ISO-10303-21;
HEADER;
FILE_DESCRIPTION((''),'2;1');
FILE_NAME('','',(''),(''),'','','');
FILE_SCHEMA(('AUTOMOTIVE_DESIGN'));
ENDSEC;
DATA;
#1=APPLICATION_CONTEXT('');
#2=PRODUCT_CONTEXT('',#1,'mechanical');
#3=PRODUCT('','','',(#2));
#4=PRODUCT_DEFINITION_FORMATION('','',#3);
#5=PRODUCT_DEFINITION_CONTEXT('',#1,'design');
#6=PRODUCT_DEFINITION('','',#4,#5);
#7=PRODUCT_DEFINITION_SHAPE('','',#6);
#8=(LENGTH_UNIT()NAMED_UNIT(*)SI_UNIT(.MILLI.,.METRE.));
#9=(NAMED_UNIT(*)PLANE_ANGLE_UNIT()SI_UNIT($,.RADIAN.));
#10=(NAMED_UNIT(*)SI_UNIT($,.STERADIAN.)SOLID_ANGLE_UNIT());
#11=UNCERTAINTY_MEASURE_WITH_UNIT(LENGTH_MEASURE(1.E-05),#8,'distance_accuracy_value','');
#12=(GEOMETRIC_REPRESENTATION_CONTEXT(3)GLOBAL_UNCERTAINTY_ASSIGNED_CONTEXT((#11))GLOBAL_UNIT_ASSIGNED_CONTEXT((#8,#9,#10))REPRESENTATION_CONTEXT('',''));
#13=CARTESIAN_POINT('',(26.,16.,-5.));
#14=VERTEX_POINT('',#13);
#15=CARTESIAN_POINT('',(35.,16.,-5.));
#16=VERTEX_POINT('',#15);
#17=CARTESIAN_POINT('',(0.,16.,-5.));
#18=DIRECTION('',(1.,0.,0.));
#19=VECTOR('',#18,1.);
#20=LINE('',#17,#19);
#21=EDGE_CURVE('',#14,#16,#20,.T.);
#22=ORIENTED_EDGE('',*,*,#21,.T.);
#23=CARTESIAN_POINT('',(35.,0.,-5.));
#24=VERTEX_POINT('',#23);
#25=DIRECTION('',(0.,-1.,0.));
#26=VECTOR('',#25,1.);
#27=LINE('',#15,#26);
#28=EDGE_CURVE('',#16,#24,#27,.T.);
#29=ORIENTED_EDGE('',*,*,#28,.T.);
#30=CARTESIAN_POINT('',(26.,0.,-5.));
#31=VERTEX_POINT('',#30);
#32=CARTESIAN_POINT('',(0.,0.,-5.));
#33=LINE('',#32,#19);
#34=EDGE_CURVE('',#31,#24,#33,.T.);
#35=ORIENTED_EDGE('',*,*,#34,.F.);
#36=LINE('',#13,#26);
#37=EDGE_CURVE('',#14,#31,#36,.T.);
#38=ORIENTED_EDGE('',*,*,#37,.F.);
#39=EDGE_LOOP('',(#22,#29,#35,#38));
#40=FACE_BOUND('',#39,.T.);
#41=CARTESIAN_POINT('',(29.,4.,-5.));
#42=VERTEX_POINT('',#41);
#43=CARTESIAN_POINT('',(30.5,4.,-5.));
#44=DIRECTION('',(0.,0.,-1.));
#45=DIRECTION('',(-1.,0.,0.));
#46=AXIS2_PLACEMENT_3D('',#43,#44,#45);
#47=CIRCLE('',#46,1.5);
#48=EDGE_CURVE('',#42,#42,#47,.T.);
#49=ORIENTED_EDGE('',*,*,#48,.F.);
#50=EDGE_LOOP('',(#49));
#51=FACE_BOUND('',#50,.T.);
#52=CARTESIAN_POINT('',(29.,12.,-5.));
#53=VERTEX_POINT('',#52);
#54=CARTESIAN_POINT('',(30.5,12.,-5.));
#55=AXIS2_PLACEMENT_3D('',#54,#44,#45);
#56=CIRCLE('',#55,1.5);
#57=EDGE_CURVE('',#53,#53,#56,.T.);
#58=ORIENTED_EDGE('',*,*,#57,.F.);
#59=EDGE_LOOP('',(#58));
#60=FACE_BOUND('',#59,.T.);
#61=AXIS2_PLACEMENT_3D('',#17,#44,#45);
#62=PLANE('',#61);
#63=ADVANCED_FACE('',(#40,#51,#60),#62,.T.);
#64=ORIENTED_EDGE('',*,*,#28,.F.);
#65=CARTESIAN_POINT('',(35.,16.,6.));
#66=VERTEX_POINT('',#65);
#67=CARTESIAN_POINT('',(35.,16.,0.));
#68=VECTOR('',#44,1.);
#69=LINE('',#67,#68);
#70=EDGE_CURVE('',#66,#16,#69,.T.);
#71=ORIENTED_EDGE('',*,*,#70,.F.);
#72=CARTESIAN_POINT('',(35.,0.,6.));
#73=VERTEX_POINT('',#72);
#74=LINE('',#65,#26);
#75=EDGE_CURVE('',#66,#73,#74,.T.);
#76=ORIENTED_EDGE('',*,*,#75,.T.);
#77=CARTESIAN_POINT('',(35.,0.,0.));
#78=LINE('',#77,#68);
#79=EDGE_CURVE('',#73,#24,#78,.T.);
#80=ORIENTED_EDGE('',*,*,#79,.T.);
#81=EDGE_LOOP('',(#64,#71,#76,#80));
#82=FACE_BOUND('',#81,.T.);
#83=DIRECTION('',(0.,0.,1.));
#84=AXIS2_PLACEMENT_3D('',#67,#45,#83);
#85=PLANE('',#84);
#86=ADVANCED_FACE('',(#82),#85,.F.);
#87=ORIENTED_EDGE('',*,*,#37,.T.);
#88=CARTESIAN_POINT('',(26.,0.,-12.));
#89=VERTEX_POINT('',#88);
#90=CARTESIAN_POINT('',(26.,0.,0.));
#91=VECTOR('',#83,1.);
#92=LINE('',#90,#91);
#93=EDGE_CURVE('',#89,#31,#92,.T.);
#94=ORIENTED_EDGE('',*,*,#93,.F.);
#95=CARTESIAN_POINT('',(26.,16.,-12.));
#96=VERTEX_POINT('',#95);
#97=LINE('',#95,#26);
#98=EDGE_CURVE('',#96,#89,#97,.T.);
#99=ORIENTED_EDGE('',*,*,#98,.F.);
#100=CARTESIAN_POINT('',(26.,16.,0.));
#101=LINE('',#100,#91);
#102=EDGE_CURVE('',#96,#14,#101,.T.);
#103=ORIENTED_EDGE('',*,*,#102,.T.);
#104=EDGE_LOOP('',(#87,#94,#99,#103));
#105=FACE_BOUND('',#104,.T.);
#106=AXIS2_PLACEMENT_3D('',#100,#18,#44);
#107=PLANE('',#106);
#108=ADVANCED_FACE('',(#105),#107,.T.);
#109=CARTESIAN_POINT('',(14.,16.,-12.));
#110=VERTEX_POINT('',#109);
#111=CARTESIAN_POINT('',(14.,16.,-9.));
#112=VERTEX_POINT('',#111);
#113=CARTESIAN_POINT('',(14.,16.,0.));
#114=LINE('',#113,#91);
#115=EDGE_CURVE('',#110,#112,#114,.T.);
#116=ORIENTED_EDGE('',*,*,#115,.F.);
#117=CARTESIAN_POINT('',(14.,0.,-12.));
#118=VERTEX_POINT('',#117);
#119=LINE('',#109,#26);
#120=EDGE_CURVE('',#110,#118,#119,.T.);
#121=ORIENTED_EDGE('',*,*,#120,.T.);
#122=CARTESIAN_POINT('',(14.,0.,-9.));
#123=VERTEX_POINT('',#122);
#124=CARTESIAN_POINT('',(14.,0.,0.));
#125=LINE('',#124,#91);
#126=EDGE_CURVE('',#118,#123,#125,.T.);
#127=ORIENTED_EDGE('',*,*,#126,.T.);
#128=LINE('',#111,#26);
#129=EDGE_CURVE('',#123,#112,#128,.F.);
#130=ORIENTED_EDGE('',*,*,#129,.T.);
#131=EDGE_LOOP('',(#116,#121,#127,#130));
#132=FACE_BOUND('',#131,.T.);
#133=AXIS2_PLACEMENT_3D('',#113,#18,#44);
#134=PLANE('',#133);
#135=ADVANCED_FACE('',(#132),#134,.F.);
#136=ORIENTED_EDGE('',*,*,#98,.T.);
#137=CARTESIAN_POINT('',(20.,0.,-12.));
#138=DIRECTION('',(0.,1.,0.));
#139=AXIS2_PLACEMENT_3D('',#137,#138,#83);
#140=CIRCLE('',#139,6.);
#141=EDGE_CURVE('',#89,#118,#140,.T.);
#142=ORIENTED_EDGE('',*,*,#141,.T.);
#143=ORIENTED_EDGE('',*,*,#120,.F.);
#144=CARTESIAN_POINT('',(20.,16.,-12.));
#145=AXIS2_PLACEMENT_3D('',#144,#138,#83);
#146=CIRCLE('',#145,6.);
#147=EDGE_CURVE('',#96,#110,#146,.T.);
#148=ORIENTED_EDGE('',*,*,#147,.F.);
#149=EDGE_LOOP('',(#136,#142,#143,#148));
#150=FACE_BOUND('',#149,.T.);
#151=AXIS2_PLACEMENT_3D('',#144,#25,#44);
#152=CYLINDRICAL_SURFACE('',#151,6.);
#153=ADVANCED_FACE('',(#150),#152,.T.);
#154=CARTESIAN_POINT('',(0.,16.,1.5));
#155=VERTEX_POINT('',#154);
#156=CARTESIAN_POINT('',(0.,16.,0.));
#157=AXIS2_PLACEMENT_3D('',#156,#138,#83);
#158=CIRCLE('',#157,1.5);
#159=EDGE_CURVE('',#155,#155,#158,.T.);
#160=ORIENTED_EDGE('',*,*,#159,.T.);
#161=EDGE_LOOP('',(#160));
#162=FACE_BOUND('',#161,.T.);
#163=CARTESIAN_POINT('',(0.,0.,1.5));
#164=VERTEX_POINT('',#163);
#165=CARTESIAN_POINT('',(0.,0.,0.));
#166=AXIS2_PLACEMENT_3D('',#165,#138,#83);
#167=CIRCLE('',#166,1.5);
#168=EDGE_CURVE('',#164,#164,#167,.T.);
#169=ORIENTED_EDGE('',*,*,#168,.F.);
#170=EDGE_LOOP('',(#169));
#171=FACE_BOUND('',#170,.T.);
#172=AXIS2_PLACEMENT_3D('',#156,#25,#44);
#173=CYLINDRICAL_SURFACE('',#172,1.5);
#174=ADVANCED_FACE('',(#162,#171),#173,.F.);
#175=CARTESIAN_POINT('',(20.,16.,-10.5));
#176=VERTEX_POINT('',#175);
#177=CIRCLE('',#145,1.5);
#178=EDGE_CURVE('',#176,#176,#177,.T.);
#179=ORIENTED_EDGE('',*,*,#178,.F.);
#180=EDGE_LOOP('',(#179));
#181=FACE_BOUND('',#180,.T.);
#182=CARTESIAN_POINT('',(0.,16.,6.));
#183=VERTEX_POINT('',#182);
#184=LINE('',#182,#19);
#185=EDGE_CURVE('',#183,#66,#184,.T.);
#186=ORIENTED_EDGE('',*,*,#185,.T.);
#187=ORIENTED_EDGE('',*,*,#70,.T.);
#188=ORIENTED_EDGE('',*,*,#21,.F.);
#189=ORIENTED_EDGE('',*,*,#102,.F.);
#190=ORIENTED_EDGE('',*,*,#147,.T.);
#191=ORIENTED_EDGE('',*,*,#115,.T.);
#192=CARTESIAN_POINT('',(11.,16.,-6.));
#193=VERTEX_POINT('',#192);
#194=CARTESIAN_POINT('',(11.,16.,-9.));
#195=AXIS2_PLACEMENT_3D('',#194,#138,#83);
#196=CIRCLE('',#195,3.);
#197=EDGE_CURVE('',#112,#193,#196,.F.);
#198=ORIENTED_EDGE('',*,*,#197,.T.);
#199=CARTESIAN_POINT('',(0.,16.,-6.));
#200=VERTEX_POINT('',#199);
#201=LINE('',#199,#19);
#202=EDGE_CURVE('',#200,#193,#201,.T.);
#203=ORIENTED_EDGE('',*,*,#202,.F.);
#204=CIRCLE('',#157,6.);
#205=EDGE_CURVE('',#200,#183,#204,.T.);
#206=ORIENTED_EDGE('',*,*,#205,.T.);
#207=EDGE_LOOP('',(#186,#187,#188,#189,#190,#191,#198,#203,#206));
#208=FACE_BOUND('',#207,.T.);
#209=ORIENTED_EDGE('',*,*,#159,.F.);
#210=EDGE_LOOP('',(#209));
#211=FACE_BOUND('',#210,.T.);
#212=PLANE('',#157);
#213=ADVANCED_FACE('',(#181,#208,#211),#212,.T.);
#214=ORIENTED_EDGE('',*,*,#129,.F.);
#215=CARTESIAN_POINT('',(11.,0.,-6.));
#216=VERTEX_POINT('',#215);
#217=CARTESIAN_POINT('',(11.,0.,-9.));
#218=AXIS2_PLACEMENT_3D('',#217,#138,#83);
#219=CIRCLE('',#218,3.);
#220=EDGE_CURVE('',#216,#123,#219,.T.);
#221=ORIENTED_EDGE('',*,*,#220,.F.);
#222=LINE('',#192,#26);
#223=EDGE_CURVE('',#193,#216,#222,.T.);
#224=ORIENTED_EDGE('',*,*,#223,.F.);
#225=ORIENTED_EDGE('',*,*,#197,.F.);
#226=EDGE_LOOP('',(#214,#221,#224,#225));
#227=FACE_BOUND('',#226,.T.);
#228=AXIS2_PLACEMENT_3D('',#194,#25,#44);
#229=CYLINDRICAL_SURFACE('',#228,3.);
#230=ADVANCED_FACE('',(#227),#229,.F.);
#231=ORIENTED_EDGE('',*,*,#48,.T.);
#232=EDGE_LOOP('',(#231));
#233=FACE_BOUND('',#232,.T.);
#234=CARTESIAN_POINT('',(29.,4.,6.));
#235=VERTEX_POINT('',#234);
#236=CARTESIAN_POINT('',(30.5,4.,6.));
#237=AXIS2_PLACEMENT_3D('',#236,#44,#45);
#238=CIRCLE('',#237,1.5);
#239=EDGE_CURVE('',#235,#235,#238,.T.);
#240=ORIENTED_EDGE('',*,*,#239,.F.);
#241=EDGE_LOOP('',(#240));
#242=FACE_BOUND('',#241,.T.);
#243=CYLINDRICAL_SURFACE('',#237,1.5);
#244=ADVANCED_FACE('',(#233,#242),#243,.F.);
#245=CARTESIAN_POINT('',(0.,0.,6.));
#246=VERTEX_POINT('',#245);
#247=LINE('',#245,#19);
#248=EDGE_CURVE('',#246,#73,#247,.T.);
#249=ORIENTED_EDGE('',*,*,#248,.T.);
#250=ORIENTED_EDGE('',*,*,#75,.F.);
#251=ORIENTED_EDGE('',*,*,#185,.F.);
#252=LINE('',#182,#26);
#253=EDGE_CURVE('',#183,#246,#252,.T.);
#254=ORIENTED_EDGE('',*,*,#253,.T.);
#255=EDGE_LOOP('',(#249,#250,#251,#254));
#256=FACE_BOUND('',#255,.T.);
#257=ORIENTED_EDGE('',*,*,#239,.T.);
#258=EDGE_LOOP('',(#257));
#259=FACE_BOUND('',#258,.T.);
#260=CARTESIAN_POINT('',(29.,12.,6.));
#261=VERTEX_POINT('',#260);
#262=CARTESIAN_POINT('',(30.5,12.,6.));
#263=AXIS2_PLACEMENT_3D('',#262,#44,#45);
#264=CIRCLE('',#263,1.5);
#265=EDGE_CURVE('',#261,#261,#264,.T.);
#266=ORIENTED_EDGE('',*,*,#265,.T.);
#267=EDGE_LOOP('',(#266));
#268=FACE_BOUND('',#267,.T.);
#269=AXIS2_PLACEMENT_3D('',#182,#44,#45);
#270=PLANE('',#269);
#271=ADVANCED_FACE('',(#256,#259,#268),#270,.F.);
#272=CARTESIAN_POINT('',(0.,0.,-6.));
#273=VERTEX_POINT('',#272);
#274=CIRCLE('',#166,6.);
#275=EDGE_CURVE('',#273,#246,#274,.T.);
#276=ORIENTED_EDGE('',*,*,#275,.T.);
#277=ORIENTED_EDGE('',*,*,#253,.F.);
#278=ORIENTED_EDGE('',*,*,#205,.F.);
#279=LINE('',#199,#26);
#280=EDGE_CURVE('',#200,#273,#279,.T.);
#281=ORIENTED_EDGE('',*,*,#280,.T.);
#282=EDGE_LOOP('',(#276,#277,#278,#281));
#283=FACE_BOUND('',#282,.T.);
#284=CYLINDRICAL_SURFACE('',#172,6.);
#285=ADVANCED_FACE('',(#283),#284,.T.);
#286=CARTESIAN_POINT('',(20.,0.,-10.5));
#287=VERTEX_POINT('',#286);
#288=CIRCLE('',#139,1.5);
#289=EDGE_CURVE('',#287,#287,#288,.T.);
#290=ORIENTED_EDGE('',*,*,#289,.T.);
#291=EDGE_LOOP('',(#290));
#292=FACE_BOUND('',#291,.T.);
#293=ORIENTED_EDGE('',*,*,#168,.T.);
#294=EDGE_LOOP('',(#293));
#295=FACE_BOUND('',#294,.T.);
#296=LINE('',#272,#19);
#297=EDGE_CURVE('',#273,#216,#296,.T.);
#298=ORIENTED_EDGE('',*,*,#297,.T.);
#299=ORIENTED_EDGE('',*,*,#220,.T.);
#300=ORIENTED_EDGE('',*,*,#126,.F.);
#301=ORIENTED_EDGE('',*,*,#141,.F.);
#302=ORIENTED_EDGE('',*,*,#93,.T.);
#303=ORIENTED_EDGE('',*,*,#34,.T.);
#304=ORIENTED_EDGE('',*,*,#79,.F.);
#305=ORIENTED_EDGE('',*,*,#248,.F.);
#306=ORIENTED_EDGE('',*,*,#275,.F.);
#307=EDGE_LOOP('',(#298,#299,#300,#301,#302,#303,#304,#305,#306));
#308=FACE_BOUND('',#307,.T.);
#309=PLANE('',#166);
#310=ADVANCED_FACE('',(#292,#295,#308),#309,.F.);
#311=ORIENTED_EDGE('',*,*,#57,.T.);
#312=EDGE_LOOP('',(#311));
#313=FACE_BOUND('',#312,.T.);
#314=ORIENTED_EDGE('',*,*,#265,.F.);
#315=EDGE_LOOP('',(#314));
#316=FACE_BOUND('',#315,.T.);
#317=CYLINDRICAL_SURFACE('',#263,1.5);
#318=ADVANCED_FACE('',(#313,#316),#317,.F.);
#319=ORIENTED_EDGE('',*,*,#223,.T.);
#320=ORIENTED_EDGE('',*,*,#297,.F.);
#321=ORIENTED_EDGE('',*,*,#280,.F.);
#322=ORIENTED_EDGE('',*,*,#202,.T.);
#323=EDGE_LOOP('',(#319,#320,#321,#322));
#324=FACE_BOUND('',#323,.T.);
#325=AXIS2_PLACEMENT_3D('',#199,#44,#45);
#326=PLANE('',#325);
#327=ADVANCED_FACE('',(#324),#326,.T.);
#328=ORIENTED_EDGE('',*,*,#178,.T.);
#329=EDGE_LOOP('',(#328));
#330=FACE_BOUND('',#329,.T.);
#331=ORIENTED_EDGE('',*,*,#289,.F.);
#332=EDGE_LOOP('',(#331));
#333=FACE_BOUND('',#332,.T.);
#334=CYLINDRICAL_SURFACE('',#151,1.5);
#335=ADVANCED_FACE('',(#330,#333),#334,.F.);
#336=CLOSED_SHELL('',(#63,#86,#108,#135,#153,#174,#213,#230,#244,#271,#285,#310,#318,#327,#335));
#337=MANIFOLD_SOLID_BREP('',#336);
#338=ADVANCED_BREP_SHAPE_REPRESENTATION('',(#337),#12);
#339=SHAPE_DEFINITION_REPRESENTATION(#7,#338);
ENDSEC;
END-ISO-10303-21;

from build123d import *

# Parameters (mm, degrees)
SKETCH3_R           = 6
SKETCH3_R_2         = 1.5
BOSS_EXTRUDE1_DEPTH = 16
FILLET1_R           = 3
SKETCH4_R           = 1.5
CUT_EXTRUDE1_DEPTH  = 41.620192023


with BuildPart() as part:
    # Sketch3 → Boss-Extrude1 (new body)
    # profile 1 of 5: a face of its own
    with BuildSketch(Plane(origin=(0, 0, 0), x_dir=(1, 0, 0), z_dir=(0, 1, 0))):
        with BuildLine():
            Line((14, 12), (14, 6))
            Line((14, 6), (20, 6))
            ThreePointArc((20, 6), (15.757359313, 7.757359313), (14, 12))
        make_face()
    # profile 2 of 5: a face of its own
    with BuildSketch(Plane(origin=(0, 0, 0), x_dir=(1, 0, 0), z_dir=(0, 1, 0))):
        with Locations((20, 12)):
            Circle(SKETCH3_R)
        with Locations(Location((20, 12, 0), (0, 0, 270))):
            Circle(SKETCH3_R_2, mode=Mode.SUBTRACT)
    # profile 3 of 5: a face of its own
    with BuildSketch(Plane(origin=(0, 0, 0), x_dir=(1, 0, 0), z_dir=(0, 1, 0))):
        with BuildLine():
            Line((14, 6), (0, 6))
            ThreePointArc((0, 6), (4.242640687, 4.242640687), (6, 0))
            ThreePointArc((6, 0), (4.242640687, -4.242640687), (0, -6))
            Line((0, -6), (26, -6))
            Line((26, -6), (26, 5))
            Line((26, 5), (26, 12))
            ThreePointArc((26, 12), (24.242640687, 7.757359313), (20, 6))
            Line((20, 6), (14, 6))
        make_face()
    # profile 4 of 5: a face of its own
    with BuildSketch(Plane(origin=(0, 0, 0), x_dir=(1, 0, 0), z_dir=(0, 1, 0))):
        Circle(SKETCH3_R)
        with Locations(Location((0, 0, 0), (0, 0, 270))):
            Circle(SKETCH3_R_2, mode=Mode.SUBTRACT)
    # profile 5 of 5: a face of its own
    with BuildSketch(Plane(origin=(0, 0, 0), x_dir=(1, 0, 0), z_dir=(0, 1, 0))):
        Polygon((26, 5), (26, -6), (26.875327872, -6), (35, -6), (35, 5), align=None)
    extrude(amount=BOSS_EXTRUDE1_DEPTH)

    # Fillet1
    fillet1_edges = [part.edges().sort_by_distance(p)[0] for p in [
        (14, 8, -6),
    ]]
    fillet(fillet1_edges, radius=FILLET1_R)

    # Sketch4 → Cut-Extrude1 (cut, through all)
    with BuildSketch(Plane(origin=(0, 0, -5), x_dir=(-1, 0, 0), z_dir=(0, 0, -1))):
        with Locations((-30.5, 12)):
            Circle(SKETCH4_R)
        with Locations((-30.5, 4)):
            Circle(SKETCH4_R)
    extrude(amount=-CUT_EXTRUDE1_DEPTH, mode=Mode.SUBTRACT)


solid = part.part
